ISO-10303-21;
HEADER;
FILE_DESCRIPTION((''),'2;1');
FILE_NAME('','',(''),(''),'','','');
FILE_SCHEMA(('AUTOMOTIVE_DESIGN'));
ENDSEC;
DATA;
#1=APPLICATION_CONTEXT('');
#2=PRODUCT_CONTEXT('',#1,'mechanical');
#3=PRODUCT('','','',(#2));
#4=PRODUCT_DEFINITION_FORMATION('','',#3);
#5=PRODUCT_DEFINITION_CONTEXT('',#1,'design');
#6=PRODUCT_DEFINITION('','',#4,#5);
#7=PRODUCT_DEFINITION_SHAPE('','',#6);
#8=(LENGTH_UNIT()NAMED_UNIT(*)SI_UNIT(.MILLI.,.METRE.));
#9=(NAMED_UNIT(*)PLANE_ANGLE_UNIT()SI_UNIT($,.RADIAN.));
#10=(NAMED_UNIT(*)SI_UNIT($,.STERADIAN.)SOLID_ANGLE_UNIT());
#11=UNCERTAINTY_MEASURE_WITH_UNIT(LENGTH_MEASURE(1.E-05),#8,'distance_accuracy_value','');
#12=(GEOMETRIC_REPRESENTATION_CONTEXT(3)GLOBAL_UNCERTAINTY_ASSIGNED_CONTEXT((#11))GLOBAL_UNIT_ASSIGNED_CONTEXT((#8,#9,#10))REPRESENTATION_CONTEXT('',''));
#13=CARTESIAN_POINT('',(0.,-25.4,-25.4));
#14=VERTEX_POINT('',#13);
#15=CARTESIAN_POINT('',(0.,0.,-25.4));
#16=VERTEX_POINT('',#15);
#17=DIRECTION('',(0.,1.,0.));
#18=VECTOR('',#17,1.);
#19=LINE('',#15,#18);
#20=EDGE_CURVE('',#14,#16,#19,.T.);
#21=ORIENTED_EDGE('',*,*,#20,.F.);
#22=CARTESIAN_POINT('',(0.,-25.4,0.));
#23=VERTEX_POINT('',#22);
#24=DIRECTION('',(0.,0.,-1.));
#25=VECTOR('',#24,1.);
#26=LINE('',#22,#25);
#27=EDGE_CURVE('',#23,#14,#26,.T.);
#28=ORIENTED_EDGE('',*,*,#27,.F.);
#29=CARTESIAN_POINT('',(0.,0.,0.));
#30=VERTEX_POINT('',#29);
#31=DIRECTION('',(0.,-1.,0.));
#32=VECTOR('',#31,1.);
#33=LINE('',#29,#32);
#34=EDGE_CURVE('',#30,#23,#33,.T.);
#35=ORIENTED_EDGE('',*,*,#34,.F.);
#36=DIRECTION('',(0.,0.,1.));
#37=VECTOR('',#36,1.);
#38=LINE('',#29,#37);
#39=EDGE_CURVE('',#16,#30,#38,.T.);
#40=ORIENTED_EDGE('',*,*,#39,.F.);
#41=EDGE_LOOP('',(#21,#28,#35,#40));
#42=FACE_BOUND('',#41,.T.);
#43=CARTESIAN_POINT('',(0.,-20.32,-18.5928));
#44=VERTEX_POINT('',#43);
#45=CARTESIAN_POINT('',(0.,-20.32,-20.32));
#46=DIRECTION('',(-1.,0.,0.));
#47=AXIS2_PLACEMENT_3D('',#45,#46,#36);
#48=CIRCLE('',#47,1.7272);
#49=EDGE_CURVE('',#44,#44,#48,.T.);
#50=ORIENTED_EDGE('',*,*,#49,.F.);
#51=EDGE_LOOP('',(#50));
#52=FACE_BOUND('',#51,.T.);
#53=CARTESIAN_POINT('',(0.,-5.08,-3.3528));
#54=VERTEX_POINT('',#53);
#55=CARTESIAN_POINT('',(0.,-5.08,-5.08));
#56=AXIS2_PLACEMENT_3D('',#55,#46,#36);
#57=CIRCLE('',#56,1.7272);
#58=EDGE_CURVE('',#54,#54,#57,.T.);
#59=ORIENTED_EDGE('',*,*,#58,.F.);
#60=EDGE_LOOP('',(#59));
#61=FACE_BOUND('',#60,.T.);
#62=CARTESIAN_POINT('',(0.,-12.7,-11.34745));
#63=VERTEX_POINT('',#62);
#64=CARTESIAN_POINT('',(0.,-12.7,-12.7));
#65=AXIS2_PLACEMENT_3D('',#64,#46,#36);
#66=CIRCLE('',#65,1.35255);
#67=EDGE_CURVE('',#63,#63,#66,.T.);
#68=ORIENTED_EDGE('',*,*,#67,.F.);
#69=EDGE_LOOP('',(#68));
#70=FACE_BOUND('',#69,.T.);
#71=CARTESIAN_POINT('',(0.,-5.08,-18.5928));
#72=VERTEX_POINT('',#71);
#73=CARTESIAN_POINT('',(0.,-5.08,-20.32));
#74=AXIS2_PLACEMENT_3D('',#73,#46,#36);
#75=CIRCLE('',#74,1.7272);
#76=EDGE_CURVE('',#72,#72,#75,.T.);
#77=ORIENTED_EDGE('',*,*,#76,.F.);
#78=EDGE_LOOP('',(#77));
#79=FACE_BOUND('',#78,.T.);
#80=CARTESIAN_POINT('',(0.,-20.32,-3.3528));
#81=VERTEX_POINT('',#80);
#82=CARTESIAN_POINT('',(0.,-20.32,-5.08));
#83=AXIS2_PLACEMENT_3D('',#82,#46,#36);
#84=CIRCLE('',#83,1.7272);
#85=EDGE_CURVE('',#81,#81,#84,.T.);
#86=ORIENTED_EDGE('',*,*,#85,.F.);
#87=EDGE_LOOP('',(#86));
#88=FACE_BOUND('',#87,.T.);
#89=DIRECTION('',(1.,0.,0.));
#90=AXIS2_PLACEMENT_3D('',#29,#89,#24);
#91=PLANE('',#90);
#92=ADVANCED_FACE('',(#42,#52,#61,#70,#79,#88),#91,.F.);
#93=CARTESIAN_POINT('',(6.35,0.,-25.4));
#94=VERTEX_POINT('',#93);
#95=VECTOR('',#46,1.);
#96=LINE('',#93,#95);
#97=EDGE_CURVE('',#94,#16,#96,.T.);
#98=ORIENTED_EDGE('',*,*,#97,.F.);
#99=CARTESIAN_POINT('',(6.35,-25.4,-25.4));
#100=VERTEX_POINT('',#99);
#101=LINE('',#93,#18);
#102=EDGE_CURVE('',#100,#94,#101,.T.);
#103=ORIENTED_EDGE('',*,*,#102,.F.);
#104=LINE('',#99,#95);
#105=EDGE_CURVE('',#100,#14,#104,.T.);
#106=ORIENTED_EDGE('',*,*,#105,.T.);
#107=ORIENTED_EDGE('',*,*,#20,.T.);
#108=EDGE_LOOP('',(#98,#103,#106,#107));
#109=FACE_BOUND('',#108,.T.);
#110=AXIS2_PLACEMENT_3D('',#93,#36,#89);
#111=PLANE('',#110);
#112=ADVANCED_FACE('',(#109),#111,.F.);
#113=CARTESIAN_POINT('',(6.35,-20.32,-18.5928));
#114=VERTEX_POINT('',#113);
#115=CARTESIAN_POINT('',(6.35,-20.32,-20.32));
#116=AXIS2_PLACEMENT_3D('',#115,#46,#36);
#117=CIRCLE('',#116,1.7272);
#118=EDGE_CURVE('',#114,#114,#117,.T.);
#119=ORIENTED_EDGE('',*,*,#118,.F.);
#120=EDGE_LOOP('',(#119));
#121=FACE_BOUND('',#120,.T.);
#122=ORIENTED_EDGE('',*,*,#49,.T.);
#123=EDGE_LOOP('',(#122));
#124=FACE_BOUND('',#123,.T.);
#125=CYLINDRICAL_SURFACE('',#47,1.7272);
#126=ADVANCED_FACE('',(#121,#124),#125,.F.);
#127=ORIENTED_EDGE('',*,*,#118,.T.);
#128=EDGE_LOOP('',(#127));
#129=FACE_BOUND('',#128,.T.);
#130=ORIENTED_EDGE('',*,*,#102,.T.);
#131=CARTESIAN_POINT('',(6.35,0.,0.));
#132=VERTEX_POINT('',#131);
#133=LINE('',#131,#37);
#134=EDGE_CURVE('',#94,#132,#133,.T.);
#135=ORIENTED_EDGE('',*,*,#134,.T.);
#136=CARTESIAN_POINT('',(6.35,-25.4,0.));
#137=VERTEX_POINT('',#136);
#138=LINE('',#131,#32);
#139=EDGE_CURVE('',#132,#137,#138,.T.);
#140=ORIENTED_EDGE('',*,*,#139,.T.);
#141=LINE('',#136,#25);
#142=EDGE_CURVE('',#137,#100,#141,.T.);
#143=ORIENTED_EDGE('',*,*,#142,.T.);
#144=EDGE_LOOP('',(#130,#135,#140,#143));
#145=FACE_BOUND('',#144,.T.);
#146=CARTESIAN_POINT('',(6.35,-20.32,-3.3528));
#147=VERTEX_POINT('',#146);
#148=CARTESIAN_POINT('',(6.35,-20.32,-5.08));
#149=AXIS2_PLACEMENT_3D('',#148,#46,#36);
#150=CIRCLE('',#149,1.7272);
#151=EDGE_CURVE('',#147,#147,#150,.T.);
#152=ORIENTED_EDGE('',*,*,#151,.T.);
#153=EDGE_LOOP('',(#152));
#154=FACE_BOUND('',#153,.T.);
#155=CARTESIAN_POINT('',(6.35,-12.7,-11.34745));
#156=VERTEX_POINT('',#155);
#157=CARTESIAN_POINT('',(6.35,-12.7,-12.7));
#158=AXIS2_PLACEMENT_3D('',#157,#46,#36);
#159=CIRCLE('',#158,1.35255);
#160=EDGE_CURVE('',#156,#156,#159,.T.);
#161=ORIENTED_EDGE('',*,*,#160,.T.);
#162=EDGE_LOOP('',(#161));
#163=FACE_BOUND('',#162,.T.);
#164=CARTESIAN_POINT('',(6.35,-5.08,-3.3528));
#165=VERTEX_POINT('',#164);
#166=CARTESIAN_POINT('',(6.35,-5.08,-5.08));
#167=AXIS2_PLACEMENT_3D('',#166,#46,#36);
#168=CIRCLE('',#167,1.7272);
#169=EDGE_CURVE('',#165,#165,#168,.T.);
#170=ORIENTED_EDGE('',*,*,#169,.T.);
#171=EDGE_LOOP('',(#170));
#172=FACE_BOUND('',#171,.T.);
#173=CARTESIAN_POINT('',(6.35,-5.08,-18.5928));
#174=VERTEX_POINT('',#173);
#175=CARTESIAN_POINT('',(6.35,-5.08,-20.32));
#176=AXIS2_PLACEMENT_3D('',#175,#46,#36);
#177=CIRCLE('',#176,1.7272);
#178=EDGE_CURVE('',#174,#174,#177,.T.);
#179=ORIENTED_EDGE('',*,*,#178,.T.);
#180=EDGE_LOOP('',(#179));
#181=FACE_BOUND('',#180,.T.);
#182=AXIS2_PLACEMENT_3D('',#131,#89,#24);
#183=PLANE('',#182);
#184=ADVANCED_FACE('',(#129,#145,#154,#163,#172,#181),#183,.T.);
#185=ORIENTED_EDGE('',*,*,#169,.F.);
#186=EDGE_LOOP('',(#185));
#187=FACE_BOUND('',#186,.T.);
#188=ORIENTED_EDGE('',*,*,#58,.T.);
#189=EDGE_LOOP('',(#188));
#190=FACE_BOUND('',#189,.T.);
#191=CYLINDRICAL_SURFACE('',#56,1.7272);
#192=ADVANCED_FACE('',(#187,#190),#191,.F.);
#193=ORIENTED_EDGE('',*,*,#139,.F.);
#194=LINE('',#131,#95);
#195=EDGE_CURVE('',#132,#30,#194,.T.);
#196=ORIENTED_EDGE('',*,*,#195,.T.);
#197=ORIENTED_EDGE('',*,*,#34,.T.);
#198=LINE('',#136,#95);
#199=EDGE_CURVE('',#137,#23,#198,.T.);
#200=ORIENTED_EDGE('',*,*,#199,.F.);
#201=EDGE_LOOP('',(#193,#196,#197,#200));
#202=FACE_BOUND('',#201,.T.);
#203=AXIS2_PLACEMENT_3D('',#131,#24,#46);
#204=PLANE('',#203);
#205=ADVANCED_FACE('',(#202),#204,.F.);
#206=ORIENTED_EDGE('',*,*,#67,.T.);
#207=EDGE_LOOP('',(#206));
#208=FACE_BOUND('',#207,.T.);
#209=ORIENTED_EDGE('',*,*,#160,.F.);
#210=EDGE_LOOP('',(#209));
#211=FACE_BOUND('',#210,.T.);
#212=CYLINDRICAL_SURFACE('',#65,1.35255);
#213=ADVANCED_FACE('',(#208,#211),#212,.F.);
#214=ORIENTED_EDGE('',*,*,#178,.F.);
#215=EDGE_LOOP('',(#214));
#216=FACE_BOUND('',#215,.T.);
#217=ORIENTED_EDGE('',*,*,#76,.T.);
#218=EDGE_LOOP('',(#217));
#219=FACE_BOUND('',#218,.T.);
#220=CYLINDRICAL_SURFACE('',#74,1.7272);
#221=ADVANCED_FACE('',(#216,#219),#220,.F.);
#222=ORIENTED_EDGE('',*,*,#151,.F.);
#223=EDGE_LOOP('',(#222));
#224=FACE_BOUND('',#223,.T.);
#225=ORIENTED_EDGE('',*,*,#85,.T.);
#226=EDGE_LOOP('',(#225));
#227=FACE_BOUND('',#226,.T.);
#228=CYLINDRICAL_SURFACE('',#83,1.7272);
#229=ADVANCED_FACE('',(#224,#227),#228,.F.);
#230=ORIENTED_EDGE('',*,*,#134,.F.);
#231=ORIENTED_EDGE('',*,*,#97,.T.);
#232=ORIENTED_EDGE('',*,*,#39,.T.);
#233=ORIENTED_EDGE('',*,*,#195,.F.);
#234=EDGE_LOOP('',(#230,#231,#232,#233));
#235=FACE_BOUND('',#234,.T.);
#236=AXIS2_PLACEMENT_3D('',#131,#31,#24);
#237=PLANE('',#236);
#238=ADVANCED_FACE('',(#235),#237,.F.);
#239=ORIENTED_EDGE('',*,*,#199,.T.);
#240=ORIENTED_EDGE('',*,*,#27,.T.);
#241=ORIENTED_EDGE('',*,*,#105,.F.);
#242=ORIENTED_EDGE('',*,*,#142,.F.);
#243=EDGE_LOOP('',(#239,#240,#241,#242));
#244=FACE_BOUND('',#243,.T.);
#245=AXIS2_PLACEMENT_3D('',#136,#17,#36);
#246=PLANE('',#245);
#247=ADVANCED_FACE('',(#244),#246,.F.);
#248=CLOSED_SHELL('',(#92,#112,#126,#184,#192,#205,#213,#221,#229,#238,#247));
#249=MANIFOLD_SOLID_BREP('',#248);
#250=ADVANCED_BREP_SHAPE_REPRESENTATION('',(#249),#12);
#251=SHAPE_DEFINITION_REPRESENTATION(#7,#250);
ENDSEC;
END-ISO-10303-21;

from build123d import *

# Parameters (mm, degrees)
SKETCH1_W             = 25.4
SKETCH1_H             = 25.4
BOSS_EXTRUDE1_DEPTH   = 6.35
F_8_32_TAPPED_HOLE5_D = 3.4544
F_6_32_TAPPED_HOLE1_D = 2.7051


with BuildPart() as part:
    # Sketch1 → Boss-Extrude1 (new body)
    with BuildSketch(Plane(origin=(0, 0, 0), x_dir=(0, 0, -1), z_dir=(1, 0, 0))):
        with Locations((12.7, -12.7)):
            Rectangle(SKETCH1_W, SKETCH1_H)
    extrude(amount=BOSS_EXTRUDE1_DEPTH)

    # #8-32 Tapped Hole5 (through all)
    with Locations(Plane.ZY):
        with Locations((-20.32, -20.32), (-20.32, -5.08), (-5.08, -5.08), (-5.08, -20.32)):
            Hole(F_8_32_TAPPED_HOLE5_D / 2)

    # #6-32 Tapped Hole1 (through all)
    with Locations(Plane.ZY):
        with Locations((-12.7, -12.7)):
            Hole(F_6_32_TAPPED_HOLE1_D / 2)


solid = part.part
